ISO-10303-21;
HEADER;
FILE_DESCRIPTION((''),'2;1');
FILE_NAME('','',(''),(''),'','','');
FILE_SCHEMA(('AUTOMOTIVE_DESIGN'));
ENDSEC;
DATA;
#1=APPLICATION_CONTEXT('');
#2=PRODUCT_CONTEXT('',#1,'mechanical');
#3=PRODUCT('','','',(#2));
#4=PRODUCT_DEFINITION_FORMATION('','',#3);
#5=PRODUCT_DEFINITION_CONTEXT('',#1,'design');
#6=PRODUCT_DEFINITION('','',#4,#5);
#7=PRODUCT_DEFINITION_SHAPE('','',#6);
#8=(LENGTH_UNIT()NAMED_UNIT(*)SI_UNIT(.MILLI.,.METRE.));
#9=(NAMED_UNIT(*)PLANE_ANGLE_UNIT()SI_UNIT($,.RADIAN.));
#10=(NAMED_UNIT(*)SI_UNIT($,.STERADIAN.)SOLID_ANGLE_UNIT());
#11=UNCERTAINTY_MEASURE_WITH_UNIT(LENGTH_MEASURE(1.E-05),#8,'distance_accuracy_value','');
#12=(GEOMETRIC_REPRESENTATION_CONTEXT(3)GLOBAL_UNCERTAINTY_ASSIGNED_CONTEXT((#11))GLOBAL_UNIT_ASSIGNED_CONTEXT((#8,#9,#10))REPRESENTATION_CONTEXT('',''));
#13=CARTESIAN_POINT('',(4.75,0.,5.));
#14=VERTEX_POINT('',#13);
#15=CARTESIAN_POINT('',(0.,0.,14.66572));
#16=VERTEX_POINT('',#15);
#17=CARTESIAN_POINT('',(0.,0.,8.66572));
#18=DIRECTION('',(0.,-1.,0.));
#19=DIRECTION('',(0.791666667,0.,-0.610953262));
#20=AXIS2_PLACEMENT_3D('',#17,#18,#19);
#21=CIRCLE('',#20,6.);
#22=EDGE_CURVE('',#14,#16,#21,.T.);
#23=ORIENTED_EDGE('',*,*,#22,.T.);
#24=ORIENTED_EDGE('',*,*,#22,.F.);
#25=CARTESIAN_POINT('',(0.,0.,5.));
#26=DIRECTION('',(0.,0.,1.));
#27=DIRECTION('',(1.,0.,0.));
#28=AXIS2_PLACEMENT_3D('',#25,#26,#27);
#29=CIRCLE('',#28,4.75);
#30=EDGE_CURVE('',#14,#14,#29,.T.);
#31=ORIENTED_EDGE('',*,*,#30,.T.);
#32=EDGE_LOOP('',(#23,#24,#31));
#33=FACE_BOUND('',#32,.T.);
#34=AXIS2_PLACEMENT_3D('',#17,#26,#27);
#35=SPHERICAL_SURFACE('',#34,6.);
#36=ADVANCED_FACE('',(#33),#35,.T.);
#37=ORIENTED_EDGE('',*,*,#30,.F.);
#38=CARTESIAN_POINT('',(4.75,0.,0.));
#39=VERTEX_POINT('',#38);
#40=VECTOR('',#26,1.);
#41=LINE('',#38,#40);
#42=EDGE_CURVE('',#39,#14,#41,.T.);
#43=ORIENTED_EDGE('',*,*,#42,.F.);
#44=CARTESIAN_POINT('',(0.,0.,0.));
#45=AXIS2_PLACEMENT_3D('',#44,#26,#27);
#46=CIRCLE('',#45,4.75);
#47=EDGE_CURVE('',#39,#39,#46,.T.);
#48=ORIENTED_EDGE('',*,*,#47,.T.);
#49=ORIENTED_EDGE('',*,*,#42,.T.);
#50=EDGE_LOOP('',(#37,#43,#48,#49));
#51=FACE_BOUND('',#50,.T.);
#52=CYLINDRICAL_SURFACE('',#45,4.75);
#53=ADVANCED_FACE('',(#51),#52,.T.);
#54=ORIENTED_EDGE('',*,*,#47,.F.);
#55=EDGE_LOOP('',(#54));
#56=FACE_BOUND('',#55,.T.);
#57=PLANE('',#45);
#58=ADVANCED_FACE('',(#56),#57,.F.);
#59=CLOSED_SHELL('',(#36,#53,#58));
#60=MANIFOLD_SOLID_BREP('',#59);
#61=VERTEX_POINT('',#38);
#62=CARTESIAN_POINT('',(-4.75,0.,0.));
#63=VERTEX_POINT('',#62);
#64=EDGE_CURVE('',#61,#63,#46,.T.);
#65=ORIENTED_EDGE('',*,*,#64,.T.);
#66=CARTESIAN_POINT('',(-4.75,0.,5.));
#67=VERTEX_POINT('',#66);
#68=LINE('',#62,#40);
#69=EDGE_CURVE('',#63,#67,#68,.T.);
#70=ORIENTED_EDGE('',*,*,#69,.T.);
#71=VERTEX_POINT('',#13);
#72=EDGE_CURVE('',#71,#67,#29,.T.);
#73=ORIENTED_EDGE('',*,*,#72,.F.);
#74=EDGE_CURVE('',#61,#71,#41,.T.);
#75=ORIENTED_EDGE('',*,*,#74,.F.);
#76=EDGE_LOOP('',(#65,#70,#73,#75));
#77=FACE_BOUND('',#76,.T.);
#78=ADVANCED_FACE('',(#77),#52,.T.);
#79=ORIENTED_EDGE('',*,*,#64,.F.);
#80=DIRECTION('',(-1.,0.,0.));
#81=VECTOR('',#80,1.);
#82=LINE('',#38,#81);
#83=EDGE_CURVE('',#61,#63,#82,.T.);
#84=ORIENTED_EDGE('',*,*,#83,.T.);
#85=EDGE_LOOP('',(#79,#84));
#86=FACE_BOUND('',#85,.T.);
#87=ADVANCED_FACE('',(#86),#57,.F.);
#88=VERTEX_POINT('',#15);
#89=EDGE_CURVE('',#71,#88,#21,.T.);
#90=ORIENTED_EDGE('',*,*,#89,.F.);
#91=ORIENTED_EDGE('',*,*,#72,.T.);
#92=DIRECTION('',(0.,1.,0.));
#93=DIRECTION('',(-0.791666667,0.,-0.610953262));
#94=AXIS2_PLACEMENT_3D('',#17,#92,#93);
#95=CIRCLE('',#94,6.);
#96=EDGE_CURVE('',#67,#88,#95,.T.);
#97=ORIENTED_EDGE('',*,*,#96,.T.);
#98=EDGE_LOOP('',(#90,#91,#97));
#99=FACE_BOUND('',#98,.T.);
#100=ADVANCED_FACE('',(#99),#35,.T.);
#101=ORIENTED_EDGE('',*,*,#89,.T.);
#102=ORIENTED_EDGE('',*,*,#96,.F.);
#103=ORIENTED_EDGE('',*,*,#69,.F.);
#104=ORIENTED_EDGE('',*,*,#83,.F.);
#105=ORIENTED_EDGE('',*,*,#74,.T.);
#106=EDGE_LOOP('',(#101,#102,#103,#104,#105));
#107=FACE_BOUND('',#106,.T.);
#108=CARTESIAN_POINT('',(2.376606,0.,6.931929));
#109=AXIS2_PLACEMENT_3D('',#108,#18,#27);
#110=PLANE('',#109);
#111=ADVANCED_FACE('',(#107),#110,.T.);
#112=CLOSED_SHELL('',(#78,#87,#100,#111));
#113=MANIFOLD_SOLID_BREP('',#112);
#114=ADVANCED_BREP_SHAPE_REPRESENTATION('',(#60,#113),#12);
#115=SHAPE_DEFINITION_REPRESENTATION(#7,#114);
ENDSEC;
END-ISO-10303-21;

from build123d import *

# Parameters (mm, degrees)
F2_ANGLE = 180


with BuildPart() as f1:
    # F0 (on Front) → F1 (revolve)
    with BuildSketch(Plane.XZ):
        with BuildLine():
            Line((0, 14.6657195747), (0, 0))
            Line((0, 0), (4.75, 0))
            Line((4.75, 0), (4.75, 5))
            ThreePointArc((4.75, 5), (5.3849009948, 11.3120077819), (0, 14.6657195747))
        make_face()
    revolve(axis=Axis((0, 0, 7.3328597873), (0, 0, 1)))


with BuildPart() as f2:
    # F0 (on Front) → F2 (revolve)
    with BuildSketch(Plane.XZ):
        with BuildLine():
            Line((0, 14.6657195747), (0, 0))
            Line((0, 0), (4.75, 0))
            Line((4.75, 0), (4.75, 5))
            ThreePointArc((4.75, 5), (5.3849009948, 11.3120077819), (0, 14.6657195747))
        make_face()
    revolve(axis=Axis((0, 0, 7.3328597873), (0, 0, 1)), revolution_arc=F2_ANGLE)


solid = Compound([f1.part, f2.part])
